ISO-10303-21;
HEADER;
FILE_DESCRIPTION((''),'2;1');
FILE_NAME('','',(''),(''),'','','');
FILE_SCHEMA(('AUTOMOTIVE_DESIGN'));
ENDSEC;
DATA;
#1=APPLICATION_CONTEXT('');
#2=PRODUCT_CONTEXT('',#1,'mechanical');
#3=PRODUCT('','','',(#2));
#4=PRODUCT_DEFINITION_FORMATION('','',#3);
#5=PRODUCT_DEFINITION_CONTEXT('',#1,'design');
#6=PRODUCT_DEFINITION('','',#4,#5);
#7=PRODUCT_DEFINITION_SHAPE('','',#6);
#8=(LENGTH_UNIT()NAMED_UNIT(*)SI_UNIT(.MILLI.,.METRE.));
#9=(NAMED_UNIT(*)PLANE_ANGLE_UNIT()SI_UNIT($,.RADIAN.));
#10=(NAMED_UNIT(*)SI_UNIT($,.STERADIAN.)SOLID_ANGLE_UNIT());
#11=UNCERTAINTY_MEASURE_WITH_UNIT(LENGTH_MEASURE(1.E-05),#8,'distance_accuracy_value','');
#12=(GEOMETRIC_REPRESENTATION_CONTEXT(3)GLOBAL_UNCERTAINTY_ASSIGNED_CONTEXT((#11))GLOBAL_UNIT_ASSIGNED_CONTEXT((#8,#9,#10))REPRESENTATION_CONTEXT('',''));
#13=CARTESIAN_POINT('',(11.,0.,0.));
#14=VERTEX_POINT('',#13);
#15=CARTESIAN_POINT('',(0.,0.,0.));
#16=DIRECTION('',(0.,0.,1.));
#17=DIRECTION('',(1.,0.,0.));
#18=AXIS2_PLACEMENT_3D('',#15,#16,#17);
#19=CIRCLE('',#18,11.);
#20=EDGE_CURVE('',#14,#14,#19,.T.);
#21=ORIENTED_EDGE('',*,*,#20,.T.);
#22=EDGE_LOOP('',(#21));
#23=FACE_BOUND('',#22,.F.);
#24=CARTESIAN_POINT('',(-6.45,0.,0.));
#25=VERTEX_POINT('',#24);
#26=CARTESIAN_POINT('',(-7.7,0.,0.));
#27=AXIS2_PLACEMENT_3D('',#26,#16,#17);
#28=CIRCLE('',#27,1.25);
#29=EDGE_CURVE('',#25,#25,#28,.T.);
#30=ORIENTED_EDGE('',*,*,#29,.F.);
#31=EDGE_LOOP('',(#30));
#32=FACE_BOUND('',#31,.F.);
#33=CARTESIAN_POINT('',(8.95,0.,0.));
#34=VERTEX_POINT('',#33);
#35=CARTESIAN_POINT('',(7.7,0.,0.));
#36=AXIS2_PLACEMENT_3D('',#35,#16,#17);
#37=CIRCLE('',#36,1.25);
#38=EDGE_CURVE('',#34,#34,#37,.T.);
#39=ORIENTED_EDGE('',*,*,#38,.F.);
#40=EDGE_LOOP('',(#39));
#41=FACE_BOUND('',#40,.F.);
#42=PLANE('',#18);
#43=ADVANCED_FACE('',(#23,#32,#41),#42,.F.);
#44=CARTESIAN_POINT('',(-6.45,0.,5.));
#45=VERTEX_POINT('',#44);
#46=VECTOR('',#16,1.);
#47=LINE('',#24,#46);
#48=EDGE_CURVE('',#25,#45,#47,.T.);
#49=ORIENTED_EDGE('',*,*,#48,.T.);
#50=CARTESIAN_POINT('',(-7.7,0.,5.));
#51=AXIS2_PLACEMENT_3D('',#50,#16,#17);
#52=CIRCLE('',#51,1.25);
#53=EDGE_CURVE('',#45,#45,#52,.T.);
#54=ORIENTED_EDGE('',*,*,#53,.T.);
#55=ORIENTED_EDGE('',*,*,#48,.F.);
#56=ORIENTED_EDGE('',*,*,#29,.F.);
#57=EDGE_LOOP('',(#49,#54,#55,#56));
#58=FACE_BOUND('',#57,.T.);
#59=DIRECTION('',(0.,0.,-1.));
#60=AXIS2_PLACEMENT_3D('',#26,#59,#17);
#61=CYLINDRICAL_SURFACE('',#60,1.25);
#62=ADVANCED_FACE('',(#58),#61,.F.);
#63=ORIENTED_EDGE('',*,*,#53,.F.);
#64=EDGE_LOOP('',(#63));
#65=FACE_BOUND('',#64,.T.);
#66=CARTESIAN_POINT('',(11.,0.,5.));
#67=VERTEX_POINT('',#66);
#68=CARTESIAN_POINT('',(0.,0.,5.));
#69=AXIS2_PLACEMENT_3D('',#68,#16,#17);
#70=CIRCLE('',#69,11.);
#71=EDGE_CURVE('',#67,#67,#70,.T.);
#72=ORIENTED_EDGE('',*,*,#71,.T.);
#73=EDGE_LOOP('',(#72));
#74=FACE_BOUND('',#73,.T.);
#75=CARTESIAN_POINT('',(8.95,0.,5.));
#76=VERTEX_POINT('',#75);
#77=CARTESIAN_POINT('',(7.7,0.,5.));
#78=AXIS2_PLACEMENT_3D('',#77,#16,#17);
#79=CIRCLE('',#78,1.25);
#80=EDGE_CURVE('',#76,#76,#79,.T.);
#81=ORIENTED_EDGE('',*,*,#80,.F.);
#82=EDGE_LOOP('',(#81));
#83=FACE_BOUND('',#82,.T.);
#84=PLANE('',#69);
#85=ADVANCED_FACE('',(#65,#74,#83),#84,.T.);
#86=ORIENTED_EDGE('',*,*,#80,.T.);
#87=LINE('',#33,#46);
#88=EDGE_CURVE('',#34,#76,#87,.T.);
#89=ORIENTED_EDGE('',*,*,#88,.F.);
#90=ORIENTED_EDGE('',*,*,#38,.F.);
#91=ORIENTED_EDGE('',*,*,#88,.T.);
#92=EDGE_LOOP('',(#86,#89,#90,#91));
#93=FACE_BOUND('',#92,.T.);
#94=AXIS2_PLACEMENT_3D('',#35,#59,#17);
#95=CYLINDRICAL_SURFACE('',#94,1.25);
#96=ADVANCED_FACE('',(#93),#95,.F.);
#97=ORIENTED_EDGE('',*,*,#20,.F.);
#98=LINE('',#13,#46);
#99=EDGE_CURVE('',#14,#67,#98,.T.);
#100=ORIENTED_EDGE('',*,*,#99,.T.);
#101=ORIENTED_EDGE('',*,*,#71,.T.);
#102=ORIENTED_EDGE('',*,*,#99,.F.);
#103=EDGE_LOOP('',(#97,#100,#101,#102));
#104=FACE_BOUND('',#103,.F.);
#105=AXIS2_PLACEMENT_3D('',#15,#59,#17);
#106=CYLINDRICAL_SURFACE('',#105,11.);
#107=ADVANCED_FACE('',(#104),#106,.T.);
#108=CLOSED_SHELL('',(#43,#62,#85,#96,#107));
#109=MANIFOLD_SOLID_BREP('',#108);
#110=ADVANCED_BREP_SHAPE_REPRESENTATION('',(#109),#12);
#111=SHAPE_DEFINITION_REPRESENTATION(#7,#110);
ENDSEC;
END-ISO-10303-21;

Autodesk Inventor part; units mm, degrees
ref_plane "YZ Plane" through (0, 0, 0) normal (1, 0, 0) x (0, 1, 0)
ref_plane "XZ Plane" through (0, 0, 0) normal (0, 1, 0) x (-1, 0, 0)
ref_plane "XY Plane" through (0, 0, 0) normal (0, 0, 1) x (1, 0, 0)
sketch "Sketch1" plane through (0, 0, 0) normal (0, 0, 1) x (1, 0, 0)
  circle A0 centre (0, 0) radius 11
  line L0 (-7.7, 0) -> (7.7, 0) construction
  circle A1 centre (-7.7, 0) radius 1.25
  circle A2 centre (7.7, 0) radius 1.25
  dimension "d0" = 22
  dimension "d1" = 15.4
  dimension "d2" = 2.5
  dimension "d3" = 2.5
extrude "Extrusion1" add sketch "Sketch1" along normal blind 5
equation "\"d0\" = cs_diam"
equation "\"d1\" = cs_holeSpacing"
equation "\"d2\" = cs_holeDiam"
equation "\"d3\" = cs_holeDiam"
equation "\"d4\" = cs_depth"
equation "\"cs_diam\" = 22"
equation "\"cs_holeSpacing\" = 15.4"
equation "\"cs_holeDiam\" = 2.5"
equation "\"cs_depth\" = 5"
properties part number "Caster Spacer 5mm" material "PMMA Plastic"
